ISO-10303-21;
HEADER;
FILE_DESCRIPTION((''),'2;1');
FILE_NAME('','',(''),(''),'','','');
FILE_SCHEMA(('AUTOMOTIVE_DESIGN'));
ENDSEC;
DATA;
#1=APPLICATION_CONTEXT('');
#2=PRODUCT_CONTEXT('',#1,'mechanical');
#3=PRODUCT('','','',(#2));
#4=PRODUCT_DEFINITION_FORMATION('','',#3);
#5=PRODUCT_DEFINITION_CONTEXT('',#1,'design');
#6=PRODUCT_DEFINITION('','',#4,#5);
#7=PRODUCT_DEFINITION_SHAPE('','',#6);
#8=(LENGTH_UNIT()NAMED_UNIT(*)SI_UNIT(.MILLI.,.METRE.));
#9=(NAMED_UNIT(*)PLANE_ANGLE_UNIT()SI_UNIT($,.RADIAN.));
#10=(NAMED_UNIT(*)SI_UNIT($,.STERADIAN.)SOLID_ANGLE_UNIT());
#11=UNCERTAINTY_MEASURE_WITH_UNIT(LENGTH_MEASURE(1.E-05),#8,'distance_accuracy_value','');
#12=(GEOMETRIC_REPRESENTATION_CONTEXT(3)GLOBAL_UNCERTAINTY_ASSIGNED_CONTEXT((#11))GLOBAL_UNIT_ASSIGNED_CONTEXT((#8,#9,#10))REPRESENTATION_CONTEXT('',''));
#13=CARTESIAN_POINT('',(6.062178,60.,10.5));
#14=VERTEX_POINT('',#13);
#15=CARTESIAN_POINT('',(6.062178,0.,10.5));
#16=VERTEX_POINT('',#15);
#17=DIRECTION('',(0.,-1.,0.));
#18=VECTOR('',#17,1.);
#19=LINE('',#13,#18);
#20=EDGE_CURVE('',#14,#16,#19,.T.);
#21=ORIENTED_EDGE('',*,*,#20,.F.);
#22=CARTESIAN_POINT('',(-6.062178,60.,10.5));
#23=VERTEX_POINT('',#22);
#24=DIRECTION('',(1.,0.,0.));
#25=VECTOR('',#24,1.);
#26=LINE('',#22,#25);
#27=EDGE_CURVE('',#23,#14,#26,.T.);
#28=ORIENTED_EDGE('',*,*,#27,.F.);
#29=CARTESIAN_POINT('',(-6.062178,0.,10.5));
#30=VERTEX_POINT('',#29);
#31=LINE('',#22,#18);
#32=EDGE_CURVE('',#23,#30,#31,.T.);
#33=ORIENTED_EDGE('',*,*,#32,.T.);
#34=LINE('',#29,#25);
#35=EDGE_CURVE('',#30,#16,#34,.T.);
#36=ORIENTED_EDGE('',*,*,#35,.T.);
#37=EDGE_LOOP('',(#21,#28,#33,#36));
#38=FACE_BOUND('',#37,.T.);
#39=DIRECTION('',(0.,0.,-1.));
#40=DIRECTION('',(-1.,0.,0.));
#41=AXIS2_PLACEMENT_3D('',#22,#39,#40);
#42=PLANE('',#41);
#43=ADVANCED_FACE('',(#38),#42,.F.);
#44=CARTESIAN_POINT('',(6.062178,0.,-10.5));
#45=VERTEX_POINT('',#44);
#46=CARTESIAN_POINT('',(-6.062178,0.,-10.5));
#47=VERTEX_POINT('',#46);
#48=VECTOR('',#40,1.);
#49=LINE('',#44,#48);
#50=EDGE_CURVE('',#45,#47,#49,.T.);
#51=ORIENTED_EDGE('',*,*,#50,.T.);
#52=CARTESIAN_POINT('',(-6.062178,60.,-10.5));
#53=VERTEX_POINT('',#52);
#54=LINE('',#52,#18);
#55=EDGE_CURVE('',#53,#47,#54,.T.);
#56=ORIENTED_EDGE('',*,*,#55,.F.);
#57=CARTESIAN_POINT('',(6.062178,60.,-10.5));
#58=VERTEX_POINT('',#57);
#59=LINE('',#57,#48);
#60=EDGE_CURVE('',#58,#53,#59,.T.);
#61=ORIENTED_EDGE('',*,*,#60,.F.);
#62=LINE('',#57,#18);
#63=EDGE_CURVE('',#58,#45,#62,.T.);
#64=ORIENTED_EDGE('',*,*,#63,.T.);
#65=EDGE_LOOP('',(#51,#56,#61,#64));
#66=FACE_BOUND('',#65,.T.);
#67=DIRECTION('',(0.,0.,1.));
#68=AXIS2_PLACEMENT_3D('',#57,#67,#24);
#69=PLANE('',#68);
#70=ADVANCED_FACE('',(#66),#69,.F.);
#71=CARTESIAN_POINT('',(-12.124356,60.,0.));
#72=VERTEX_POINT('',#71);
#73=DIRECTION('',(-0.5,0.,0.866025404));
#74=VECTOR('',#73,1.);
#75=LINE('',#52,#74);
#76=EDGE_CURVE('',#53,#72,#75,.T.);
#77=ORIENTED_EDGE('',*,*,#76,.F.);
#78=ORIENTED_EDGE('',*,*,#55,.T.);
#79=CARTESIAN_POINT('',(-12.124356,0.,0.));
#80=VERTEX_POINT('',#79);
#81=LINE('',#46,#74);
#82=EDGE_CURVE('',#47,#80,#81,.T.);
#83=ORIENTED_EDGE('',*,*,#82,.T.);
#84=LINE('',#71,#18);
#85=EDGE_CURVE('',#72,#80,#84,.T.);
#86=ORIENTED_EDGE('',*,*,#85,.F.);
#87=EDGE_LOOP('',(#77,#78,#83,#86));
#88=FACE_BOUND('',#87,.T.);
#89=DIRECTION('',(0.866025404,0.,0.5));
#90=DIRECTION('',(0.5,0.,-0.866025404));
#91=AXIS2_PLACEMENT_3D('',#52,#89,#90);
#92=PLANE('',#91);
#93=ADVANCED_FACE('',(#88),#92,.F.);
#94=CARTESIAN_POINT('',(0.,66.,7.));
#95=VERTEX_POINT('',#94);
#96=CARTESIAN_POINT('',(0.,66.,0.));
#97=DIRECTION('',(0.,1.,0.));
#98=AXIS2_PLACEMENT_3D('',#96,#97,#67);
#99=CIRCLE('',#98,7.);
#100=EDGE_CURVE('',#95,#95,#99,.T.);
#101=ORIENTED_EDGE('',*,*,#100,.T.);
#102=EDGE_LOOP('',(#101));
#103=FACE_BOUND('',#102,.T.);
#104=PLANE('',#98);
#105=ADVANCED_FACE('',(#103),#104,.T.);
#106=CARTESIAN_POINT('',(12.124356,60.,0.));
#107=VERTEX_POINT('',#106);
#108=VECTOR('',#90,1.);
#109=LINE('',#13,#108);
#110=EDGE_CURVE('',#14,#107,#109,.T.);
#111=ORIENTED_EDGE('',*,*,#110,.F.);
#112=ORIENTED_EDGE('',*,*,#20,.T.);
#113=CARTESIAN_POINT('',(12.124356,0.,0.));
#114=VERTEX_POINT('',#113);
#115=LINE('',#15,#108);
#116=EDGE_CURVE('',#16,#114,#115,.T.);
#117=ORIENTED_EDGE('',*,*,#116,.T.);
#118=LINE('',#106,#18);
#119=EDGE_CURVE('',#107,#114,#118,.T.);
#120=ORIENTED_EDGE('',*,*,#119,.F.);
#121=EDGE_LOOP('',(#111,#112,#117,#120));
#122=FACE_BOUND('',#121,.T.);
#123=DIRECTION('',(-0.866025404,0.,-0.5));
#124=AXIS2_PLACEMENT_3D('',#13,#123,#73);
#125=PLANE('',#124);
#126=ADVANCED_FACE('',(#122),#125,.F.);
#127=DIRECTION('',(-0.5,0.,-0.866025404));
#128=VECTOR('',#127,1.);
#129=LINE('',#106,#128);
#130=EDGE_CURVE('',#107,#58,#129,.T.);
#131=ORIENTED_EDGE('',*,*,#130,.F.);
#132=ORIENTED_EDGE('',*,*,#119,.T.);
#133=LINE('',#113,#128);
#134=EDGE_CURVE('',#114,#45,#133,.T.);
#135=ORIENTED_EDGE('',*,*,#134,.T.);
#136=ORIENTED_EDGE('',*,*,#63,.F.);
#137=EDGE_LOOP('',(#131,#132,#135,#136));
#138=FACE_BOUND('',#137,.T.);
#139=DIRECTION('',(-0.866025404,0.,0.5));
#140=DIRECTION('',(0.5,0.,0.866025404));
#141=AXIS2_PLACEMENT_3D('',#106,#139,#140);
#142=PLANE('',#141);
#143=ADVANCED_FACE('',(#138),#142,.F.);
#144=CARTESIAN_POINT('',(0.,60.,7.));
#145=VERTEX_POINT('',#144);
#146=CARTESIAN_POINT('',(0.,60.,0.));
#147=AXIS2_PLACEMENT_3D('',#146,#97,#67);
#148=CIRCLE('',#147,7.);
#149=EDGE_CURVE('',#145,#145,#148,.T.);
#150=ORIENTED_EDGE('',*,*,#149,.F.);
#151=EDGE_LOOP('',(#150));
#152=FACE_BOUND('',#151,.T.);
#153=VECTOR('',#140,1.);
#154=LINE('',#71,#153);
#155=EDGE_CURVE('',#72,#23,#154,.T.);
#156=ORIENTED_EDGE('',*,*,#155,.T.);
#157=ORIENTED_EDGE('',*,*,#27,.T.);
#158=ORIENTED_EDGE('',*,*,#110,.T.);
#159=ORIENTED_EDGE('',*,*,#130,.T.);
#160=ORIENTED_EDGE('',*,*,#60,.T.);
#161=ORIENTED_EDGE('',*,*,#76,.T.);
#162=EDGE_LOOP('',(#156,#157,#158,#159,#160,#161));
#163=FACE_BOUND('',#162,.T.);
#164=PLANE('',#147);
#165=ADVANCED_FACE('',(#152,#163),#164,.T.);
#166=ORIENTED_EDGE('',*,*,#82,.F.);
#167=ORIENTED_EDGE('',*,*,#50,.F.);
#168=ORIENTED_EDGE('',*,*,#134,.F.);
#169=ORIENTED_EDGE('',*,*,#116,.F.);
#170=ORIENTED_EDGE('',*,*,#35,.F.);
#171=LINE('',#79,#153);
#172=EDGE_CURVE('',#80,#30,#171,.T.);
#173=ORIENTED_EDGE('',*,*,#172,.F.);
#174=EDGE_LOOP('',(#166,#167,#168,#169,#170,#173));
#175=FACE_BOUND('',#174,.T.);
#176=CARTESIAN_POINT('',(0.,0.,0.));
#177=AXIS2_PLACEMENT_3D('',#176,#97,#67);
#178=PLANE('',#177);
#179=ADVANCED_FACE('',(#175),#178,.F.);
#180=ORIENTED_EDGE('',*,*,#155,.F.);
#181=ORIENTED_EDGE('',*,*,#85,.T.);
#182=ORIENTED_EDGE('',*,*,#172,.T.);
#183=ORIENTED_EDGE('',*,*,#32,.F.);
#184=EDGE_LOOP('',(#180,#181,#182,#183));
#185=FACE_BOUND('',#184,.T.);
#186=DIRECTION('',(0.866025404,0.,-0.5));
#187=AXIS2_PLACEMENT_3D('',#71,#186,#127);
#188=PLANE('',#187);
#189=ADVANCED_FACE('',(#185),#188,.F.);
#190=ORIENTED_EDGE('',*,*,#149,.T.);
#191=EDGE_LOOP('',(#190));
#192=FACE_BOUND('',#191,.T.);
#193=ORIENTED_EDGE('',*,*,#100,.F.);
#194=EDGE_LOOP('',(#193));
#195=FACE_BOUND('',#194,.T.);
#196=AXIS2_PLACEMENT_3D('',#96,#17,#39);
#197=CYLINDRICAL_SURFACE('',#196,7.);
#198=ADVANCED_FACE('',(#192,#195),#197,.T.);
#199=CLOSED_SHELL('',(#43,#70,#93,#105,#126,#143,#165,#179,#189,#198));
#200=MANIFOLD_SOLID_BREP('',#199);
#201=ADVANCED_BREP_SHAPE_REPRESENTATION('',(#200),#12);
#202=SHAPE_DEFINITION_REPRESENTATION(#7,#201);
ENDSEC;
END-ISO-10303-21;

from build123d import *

# Parameters (mm, degrees)
SKETCH1_R           = 7
BOSS_EXTRUDE1_DEPTH = 60
SKETCH1_3_R         = 7
BOSS_EXTRUDE2_DEPTH = 66


with BuildPart() as part:
    # Sketch1 → Boss-Extrude1 (new body)
    with BuildSketch(Plane(origin=(0, 0, 0), x_dir=(1, 0, 0), z_dir=(0, 1, 0))):
        Polygon((12.124355653, 0), (6.062177826, 10.5), (-6.062177826, 10.5), (-12.124355653, 0), (-6.062177826, -10.5), (6.062177826, -10.5), align=None)
        Circle(SKETCH1_R, mode=Mode.SUBTRACT)
    extrude(amount=BOSS_EXTRUDE1_DEPTH)

    # Sketch1<3> → Boss-Extrude2 (add)
    with BuildSketch(Plane(origin=(0, 0, 0), x_dir=(1, 0, 0), z_dir=(0, 1, 0))):
        Circle(SKETCH1_3_R)
    extrude(amount=BOSS_EXTRUDE2_DEPTH)


solid = part.part
